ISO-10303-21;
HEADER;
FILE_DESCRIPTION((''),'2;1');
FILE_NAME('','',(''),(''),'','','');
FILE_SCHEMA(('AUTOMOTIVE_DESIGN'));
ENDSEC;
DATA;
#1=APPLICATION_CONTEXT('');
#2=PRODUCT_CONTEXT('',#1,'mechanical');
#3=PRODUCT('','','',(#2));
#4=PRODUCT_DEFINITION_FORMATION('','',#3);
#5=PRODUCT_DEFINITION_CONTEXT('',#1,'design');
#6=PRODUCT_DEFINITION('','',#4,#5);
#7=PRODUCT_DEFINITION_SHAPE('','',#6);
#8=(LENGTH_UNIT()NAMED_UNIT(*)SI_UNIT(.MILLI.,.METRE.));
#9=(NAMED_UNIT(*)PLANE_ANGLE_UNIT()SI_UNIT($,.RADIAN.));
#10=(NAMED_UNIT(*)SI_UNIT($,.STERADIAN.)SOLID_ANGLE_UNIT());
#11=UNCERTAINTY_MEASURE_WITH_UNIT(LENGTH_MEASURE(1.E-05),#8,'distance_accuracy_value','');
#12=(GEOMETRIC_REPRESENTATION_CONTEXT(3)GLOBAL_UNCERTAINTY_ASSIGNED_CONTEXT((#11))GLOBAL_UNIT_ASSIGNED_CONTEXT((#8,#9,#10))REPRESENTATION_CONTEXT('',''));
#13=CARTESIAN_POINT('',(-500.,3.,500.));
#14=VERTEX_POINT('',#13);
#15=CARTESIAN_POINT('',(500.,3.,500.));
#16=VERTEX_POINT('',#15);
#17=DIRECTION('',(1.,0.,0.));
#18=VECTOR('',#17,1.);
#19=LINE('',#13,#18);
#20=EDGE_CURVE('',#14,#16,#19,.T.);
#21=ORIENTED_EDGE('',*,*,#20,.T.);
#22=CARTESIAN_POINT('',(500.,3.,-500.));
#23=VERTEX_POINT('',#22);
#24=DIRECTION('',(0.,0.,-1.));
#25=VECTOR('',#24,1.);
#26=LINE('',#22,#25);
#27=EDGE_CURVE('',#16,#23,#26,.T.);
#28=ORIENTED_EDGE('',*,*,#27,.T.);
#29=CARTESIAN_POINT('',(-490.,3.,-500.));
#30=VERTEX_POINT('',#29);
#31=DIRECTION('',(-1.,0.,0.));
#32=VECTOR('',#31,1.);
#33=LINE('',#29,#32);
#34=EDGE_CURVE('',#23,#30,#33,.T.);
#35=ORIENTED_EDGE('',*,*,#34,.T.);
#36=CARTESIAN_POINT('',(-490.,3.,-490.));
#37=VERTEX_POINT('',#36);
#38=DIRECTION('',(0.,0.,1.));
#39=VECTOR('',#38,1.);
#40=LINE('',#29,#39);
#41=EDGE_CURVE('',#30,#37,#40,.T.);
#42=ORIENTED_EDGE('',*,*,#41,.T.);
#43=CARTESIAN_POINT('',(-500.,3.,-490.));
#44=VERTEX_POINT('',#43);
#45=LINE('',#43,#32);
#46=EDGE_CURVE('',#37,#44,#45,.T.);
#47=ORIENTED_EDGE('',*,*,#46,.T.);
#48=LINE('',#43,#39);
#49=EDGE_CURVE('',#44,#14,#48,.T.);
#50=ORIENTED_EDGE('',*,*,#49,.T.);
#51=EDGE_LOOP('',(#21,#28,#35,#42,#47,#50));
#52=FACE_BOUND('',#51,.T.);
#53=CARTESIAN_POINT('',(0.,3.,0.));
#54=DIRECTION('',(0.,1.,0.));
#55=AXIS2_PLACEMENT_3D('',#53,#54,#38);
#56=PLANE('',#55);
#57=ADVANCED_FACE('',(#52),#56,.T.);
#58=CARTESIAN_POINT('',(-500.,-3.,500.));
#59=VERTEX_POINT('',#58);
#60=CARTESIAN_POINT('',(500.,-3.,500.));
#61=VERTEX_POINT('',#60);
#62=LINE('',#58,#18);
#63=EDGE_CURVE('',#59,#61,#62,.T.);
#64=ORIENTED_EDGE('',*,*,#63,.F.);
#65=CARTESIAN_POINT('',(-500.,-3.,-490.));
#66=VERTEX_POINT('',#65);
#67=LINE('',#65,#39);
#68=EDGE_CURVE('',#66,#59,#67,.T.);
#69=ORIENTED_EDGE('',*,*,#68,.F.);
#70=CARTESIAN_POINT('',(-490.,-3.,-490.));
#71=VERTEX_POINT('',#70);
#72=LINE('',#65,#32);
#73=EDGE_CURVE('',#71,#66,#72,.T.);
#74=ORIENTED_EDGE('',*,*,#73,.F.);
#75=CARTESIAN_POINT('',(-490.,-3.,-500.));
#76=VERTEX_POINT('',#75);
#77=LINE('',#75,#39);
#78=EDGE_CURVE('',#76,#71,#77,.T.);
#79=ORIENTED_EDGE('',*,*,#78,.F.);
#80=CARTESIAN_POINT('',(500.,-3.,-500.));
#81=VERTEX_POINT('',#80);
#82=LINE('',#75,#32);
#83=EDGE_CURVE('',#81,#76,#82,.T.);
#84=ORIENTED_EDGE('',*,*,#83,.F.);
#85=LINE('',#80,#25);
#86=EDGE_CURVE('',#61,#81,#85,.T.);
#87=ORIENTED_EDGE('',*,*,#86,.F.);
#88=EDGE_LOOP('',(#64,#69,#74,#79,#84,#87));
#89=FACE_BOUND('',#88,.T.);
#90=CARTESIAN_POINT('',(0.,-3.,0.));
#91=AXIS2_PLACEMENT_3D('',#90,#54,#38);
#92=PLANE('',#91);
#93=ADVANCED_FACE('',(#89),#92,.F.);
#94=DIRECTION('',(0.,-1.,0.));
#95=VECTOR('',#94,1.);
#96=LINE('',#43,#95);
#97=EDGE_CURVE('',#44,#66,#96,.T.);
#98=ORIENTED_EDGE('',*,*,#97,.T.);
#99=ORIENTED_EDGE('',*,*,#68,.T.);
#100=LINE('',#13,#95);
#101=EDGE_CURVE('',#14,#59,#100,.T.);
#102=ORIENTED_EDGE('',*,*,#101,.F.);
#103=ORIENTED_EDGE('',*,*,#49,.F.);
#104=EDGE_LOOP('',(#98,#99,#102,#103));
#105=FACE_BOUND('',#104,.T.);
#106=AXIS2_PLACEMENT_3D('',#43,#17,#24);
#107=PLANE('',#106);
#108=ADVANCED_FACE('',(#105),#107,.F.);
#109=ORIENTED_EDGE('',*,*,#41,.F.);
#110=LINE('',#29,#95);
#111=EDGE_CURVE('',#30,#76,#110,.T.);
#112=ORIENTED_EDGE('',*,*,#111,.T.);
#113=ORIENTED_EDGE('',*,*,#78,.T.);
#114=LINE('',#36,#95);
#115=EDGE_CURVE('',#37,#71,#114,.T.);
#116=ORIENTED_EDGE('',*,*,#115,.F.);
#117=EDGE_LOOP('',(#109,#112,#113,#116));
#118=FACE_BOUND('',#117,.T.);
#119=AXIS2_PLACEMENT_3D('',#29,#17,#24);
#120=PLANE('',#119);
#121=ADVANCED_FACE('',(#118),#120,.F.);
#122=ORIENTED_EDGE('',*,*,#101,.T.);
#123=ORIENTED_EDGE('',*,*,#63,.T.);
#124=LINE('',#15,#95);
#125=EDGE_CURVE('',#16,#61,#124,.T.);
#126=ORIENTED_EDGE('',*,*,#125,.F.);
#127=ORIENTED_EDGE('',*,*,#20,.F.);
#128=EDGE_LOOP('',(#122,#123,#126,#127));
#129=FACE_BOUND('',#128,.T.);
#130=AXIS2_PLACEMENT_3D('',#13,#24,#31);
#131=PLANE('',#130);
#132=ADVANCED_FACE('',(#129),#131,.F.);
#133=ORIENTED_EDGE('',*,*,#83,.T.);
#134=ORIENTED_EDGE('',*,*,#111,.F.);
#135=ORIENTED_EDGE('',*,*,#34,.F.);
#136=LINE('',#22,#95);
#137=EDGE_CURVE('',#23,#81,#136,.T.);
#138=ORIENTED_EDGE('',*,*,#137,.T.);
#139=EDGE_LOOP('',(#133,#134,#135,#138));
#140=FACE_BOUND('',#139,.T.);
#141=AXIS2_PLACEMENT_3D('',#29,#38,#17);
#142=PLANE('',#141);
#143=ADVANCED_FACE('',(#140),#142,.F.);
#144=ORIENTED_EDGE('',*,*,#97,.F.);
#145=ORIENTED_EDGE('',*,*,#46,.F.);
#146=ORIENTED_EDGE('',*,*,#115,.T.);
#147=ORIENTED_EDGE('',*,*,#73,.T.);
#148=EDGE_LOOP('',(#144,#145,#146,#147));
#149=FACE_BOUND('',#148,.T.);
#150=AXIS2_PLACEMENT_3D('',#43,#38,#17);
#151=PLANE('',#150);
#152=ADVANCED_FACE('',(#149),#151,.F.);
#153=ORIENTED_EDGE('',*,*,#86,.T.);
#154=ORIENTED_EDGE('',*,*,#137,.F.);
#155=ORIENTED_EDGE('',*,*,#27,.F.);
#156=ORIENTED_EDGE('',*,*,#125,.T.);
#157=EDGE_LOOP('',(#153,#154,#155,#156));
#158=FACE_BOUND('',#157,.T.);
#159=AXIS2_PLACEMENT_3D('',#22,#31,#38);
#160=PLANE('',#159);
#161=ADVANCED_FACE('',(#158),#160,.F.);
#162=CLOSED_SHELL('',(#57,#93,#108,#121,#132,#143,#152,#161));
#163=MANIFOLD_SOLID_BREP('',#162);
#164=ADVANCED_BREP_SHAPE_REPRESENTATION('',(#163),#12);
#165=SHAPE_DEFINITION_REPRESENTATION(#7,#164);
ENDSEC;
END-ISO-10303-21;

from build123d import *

# Parameters (mm, degrees)
RESSALTO_EXTRUS_O1_DEPTH = 3


with BuildPart() as part:
    # Esboço1 → Ressalto-extrusão1 (new body, symmetric)
    with BuildSketch(Plane(origin=(0, 0, 0), x_dir=(1, 0, 0), z_dir=(0, 1, 0))):
        Polygon((-490, 500), (500, 500), (500, -500), (-500, -500), (-500, 490), (-490, 490), align=None)
    extrude(amount=RESSALTO_EXTRUS_O1_DEPTH, both=True)


solid = part.part
